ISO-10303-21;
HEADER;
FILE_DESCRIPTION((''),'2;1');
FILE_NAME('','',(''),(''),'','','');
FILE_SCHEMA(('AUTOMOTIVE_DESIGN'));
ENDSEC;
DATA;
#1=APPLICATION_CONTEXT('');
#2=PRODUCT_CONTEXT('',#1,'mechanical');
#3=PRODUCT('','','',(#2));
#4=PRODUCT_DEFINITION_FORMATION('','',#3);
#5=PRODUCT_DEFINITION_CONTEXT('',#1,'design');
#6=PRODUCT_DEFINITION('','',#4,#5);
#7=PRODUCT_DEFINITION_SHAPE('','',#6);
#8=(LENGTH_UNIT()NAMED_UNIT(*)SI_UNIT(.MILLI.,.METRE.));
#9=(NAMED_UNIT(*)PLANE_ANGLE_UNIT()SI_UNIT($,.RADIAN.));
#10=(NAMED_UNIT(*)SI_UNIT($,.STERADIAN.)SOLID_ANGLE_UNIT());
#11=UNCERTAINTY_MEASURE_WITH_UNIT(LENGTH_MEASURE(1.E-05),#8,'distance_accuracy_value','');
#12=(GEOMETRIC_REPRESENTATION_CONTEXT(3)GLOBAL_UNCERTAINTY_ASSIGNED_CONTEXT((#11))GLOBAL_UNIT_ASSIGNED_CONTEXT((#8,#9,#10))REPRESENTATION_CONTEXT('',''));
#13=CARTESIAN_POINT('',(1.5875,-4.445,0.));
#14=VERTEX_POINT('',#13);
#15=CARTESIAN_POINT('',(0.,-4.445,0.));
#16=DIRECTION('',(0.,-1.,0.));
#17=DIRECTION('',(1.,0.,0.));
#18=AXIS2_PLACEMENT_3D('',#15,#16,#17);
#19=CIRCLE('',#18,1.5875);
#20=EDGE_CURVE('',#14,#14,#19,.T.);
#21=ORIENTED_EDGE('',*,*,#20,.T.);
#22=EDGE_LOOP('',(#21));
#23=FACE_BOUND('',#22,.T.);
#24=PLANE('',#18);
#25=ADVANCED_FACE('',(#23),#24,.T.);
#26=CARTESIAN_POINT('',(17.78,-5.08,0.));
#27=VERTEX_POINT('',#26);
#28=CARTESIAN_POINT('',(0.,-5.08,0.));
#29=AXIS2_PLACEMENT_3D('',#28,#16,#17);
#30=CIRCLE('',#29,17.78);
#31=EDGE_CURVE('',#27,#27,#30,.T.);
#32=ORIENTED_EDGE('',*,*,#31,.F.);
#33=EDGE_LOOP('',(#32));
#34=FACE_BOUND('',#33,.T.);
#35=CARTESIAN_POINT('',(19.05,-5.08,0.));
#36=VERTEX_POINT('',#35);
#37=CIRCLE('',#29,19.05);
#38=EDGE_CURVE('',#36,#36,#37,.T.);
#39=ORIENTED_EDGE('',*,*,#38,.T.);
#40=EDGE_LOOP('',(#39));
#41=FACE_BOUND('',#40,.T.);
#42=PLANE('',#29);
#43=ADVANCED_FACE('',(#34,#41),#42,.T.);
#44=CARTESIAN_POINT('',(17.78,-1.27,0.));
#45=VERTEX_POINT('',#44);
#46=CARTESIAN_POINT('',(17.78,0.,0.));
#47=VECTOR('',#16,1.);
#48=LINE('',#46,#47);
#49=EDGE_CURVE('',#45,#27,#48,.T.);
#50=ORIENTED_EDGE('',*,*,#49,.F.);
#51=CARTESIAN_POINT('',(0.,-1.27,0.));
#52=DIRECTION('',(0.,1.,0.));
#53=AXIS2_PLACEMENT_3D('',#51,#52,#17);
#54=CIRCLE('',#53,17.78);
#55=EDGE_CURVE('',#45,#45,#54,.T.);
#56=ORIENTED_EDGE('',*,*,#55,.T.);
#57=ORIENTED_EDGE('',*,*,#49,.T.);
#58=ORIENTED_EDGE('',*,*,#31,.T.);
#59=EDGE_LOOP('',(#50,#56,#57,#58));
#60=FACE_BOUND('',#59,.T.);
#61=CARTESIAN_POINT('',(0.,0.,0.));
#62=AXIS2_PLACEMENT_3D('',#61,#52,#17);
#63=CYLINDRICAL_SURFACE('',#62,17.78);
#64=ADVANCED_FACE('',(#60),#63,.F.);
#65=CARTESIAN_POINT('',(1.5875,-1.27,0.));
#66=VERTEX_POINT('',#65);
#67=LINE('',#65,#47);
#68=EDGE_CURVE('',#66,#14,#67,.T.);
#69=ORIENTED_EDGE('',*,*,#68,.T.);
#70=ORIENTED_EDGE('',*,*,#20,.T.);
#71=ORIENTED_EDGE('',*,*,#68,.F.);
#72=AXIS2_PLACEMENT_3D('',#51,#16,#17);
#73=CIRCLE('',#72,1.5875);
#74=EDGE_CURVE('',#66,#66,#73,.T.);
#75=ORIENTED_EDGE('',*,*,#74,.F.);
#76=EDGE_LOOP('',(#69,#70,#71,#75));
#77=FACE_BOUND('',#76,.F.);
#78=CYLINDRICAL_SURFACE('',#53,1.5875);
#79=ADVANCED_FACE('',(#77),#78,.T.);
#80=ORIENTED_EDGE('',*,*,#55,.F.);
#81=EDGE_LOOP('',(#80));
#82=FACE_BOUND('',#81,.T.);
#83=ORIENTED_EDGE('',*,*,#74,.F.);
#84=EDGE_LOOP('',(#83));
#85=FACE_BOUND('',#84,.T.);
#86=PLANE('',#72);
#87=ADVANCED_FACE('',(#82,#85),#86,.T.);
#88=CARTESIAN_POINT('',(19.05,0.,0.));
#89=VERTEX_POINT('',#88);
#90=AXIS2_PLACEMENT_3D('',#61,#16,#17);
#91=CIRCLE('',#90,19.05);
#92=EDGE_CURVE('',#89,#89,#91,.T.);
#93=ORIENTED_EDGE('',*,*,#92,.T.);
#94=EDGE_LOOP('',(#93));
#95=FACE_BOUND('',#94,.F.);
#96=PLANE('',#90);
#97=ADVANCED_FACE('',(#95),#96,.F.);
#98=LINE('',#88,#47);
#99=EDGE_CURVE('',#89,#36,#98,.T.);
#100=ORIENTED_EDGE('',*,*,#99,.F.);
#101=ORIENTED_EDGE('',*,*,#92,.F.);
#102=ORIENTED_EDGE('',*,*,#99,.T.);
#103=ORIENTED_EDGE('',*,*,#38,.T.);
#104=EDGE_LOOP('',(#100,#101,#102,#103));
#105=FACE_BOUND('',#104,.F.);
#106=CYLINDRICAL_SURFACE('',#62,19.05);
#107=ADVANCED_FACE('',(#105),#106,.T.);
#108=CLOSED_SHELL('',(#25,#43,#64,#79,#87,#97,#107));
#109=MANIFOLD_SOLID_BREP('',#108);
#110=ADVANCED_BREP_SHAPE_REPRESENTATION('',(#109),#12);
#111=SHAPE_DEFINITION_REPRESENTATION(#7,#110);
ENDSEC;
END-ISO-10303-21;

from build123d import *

# Parameters (mm, degrees)
F0_R     = 19.05
F1_DEPTH = 5.08
F2_T     = -1.27
F3_R     = 1.5875
F4_DEPTH = 3.175


with BuildPart() as f1:
    # F0 (on Front) → F1 (new body)
    with BuildSketch(Plane.XZ):
        Circle(F0_R)
    extrude(amount=F1_DEPTH)

    # F2
    f2_openings = [f1.faces().sort_by_distance(p)[0] for p in [
        (0, -5.08, 0),
    ]]
    offset(amount=F2_T, openings=f2_openings)

    # F3 (on face) → F4 (join)
    with BuildSketch(Plane.XZ.offset(1.27)):
        Circle(F3_R)
    extrude(amount=F4_DEPTH)


solid = f1.part
